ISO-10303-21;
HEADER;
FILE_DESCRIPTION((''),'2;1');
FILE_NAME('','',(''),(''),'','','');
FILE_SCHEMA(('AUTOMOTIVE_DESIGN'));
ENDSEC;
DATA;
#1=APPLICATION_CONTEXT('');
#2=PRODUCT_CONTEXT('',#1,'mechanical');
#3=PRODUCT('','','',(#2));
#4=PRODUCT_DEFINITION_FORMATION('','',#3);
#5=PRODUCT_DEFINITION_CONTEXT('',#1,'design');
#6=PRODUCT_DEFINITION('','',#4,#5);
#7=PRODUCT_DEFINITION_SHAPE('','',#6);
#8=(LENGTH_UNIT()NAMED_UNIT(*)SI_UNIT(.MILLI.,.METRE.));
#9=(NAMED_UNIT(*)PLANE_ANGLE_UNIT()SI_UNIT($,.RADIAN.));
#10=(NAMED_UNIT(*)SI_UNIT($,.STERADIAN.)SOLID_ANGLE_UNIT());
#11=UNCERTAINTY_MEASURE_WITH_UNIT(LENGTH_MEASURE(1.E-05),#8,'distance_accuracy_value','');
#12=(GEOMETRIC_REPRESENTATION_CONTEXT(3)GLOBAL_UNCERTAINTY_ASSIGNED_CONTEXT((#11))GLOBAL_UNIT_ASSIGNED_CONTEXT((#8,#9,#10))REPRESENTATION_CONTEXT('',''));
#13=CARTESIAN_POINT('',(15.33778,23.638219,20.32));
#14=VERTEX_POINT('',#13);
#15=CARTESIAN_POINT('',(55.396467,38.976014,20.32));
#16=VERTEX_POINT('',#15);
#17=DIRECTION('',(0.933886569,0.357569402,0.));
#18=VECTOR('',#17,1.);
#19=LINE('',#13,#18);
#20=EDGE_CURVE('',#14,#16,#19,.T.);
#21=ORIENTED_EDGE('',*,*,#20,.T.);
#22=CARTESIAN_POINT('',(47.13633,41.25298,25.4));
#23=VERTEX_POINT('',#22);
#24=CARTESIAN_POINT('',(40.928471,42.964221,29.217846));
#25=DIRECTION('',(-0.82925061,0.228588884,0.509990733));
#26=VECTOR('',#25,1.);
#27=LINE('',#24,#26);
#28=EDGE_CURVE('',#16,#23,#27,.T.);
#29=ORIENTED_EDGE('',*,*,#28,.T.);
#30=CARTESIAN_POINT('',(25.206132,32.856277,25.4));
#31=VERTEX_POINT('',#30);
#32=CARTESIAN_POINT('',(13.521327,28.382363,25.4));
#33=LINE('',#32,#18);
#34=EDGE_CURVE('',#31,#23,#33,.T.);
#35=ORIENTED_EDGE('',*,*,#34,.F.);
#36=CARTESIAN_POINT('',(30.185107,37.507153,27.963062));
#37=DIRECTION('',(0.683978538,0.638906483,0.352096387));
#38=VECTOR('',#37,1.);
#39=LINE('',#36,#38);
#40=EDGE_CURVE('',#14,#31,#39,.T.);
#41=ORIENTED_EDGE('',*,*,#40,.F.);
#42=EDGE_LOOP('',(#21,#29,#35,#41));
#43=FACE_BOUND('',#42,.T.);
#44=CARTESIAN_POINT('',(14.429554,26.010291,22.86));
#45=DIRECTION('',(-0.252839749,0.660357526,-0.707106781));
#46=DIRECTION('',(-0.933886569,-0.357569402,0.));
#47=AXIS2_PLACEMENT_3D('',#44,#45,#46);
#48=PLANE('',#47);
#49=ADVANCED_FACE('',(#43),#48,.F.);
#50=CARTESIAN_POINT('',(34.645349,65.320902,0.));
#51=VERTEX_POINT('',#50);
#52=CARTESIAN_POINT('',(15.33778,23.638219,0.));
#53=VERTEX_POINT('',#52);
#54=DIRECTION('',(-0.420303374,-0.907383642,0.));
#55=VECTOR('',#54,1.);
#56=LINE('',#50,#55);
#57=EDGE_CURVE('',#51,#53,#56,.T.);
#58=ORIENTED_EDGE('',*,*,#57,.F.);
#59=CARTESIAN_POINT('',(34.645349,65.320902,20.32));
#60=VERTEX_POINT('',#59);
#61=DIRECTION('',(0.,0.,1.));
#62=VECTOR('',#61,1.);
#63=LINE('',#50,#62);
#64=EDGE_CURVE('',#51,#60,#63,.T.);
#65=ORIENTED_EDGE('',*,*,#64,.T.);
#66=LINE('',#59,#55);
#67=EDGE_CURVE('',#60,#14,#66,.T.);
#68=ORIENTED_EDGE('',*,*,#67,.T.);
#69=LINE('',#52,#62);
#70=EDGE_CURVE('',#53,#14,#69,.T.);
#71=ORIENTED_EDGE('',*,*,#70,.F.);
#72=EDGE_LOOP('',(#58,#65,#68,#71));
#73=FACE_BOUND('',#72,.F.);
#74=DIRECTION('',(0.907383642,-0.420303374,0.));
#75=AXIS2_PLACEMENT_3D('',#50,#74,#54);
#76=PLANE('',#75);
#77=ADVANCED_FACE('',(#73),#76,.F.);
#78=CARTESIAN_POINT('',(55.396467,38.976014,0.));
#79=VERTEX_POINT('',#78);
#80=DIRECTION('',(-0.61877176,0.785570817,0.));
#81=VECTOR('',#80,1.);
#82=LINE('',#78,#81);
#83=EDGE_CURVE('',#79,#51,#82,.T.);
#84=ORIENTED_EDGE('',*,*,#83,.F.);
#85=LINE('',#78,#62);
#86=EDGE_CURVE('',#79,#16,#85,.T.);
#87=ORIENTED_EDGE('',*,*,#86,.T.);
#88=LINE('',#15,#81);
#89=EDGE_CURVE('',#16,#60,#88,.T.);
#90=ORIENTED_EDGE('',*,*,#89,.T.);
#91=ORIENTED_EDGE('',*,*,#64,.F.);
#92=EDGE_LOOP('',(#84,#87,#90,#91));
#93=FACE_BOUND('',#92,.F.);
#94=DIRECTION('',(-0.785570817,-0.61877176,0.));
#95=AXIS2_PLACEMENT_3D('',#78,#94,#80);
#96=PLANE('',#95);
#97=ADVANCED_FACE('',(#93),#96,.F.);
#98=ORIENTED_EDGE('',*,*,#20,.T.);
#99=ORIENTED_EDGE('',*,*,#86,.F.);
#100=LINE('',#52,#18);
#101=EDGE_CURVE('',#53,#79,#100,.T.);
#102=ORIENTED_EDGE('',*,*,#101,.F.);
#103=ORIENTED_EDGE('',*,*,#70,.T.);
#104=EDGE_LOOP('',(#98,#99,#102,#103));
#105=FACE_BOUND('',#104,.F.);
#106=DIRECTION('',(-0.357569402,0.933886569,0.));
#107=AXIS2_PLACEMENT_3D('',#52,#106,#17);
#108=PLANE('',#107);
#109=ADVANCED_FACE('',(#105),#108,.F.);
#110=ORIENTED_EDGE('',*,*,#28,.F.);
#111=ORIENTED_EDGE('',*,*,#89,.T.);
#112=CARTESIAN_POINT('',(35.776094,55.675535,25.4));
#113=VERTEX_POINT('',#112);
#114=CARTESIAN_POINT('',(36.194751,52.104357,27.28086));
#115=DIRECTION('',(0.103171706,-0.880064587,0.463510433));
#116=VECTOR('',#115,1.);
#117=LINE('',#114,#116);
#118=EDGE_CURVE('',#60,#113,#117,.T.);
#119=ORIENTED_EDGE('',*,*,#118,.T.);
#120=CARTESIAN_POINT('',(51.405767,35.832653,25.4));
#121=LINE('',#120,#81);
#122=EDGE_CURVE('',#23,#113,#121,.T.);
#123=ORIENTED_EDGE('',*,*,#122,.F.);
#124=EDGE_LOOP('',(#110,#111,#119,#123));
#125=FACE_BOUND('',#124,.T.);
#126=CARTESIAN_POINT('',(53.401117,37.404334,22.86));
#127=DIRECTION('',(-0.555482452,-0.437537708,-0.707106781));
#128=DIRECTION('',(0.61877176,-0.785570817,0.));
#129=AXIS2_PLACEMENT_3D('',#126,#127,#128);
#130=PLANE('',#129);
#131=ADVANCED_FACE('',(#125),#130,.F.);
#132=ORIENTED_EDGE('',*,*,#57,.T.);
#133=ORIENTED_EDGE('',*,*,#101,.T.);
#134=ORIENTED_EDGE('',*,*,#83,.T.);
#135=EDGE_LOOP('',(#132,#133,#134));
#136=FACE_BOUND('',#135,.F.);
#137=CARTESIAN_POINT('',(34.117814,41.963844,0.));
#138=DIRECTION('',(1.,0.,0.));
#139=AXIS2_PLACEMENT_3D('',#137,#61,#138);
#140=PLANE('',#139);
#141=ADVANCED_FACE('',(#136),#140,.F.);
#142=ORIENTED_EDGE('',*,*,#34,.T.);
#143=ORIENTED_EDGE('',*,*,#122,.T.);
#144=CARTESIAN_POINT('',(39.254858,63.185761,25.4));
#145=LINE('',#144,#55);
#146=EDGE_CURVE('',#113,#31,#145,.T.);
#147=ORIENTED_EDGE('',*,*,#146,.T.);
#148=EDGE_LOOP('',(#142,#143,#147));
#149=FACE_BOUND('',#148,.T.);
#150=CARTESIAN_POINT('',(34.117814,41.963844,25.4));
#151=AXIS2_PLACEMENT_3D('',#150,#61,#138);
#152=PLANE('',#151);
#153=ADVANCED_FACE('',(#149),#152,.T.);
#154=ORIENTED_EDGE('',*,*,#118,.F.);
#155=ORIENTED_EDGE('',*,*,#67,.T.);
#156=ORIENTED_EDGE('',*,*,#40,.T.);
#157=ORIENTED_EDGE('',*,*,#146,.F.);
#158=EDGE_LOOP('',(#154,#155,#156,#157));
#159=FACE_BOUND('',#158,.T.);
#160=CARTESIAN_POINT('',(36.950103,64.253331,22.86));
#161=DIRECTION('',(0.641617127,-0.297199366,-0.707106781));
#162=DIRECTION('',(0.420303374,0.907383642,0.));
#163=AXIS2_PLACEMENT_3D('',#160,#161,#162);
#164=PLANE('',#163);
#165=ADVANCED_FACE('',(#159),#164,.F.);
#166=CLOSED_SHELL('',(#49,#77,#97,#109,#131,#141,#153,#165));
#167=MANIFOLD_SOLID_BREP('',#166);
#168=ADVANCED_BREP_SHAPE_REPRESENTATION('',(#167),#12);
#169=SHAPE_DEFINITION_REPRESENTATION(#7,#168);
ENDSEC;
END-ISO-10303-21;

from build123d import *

# Parameters (mm, degrees)
F2_DEPTH = 25.4
F3_SIZE  = 5.08


with BuildPart() as f2:
    # F1 (on face) → F2 (new body)
    with BuildSketch(Plane.XY):
        Polygon((15.33778, 23.638219), (55.396467, 38.976014), (34.645349, 65.320902), align=None)
    extrude(amount=F2_DEPTH)

    # F3
    f3_edges = [f2.edges().sort_by_distance(p)[0] for p in [
        (45.020908, 52.148458, 25.4),
        (24.991564, 44.47956, 25.4),
        (35.367124, 31.307116, 25.4),
    ]]
    chamfer(f3_edges, length=F3_SIZE)


solid = f2.part
